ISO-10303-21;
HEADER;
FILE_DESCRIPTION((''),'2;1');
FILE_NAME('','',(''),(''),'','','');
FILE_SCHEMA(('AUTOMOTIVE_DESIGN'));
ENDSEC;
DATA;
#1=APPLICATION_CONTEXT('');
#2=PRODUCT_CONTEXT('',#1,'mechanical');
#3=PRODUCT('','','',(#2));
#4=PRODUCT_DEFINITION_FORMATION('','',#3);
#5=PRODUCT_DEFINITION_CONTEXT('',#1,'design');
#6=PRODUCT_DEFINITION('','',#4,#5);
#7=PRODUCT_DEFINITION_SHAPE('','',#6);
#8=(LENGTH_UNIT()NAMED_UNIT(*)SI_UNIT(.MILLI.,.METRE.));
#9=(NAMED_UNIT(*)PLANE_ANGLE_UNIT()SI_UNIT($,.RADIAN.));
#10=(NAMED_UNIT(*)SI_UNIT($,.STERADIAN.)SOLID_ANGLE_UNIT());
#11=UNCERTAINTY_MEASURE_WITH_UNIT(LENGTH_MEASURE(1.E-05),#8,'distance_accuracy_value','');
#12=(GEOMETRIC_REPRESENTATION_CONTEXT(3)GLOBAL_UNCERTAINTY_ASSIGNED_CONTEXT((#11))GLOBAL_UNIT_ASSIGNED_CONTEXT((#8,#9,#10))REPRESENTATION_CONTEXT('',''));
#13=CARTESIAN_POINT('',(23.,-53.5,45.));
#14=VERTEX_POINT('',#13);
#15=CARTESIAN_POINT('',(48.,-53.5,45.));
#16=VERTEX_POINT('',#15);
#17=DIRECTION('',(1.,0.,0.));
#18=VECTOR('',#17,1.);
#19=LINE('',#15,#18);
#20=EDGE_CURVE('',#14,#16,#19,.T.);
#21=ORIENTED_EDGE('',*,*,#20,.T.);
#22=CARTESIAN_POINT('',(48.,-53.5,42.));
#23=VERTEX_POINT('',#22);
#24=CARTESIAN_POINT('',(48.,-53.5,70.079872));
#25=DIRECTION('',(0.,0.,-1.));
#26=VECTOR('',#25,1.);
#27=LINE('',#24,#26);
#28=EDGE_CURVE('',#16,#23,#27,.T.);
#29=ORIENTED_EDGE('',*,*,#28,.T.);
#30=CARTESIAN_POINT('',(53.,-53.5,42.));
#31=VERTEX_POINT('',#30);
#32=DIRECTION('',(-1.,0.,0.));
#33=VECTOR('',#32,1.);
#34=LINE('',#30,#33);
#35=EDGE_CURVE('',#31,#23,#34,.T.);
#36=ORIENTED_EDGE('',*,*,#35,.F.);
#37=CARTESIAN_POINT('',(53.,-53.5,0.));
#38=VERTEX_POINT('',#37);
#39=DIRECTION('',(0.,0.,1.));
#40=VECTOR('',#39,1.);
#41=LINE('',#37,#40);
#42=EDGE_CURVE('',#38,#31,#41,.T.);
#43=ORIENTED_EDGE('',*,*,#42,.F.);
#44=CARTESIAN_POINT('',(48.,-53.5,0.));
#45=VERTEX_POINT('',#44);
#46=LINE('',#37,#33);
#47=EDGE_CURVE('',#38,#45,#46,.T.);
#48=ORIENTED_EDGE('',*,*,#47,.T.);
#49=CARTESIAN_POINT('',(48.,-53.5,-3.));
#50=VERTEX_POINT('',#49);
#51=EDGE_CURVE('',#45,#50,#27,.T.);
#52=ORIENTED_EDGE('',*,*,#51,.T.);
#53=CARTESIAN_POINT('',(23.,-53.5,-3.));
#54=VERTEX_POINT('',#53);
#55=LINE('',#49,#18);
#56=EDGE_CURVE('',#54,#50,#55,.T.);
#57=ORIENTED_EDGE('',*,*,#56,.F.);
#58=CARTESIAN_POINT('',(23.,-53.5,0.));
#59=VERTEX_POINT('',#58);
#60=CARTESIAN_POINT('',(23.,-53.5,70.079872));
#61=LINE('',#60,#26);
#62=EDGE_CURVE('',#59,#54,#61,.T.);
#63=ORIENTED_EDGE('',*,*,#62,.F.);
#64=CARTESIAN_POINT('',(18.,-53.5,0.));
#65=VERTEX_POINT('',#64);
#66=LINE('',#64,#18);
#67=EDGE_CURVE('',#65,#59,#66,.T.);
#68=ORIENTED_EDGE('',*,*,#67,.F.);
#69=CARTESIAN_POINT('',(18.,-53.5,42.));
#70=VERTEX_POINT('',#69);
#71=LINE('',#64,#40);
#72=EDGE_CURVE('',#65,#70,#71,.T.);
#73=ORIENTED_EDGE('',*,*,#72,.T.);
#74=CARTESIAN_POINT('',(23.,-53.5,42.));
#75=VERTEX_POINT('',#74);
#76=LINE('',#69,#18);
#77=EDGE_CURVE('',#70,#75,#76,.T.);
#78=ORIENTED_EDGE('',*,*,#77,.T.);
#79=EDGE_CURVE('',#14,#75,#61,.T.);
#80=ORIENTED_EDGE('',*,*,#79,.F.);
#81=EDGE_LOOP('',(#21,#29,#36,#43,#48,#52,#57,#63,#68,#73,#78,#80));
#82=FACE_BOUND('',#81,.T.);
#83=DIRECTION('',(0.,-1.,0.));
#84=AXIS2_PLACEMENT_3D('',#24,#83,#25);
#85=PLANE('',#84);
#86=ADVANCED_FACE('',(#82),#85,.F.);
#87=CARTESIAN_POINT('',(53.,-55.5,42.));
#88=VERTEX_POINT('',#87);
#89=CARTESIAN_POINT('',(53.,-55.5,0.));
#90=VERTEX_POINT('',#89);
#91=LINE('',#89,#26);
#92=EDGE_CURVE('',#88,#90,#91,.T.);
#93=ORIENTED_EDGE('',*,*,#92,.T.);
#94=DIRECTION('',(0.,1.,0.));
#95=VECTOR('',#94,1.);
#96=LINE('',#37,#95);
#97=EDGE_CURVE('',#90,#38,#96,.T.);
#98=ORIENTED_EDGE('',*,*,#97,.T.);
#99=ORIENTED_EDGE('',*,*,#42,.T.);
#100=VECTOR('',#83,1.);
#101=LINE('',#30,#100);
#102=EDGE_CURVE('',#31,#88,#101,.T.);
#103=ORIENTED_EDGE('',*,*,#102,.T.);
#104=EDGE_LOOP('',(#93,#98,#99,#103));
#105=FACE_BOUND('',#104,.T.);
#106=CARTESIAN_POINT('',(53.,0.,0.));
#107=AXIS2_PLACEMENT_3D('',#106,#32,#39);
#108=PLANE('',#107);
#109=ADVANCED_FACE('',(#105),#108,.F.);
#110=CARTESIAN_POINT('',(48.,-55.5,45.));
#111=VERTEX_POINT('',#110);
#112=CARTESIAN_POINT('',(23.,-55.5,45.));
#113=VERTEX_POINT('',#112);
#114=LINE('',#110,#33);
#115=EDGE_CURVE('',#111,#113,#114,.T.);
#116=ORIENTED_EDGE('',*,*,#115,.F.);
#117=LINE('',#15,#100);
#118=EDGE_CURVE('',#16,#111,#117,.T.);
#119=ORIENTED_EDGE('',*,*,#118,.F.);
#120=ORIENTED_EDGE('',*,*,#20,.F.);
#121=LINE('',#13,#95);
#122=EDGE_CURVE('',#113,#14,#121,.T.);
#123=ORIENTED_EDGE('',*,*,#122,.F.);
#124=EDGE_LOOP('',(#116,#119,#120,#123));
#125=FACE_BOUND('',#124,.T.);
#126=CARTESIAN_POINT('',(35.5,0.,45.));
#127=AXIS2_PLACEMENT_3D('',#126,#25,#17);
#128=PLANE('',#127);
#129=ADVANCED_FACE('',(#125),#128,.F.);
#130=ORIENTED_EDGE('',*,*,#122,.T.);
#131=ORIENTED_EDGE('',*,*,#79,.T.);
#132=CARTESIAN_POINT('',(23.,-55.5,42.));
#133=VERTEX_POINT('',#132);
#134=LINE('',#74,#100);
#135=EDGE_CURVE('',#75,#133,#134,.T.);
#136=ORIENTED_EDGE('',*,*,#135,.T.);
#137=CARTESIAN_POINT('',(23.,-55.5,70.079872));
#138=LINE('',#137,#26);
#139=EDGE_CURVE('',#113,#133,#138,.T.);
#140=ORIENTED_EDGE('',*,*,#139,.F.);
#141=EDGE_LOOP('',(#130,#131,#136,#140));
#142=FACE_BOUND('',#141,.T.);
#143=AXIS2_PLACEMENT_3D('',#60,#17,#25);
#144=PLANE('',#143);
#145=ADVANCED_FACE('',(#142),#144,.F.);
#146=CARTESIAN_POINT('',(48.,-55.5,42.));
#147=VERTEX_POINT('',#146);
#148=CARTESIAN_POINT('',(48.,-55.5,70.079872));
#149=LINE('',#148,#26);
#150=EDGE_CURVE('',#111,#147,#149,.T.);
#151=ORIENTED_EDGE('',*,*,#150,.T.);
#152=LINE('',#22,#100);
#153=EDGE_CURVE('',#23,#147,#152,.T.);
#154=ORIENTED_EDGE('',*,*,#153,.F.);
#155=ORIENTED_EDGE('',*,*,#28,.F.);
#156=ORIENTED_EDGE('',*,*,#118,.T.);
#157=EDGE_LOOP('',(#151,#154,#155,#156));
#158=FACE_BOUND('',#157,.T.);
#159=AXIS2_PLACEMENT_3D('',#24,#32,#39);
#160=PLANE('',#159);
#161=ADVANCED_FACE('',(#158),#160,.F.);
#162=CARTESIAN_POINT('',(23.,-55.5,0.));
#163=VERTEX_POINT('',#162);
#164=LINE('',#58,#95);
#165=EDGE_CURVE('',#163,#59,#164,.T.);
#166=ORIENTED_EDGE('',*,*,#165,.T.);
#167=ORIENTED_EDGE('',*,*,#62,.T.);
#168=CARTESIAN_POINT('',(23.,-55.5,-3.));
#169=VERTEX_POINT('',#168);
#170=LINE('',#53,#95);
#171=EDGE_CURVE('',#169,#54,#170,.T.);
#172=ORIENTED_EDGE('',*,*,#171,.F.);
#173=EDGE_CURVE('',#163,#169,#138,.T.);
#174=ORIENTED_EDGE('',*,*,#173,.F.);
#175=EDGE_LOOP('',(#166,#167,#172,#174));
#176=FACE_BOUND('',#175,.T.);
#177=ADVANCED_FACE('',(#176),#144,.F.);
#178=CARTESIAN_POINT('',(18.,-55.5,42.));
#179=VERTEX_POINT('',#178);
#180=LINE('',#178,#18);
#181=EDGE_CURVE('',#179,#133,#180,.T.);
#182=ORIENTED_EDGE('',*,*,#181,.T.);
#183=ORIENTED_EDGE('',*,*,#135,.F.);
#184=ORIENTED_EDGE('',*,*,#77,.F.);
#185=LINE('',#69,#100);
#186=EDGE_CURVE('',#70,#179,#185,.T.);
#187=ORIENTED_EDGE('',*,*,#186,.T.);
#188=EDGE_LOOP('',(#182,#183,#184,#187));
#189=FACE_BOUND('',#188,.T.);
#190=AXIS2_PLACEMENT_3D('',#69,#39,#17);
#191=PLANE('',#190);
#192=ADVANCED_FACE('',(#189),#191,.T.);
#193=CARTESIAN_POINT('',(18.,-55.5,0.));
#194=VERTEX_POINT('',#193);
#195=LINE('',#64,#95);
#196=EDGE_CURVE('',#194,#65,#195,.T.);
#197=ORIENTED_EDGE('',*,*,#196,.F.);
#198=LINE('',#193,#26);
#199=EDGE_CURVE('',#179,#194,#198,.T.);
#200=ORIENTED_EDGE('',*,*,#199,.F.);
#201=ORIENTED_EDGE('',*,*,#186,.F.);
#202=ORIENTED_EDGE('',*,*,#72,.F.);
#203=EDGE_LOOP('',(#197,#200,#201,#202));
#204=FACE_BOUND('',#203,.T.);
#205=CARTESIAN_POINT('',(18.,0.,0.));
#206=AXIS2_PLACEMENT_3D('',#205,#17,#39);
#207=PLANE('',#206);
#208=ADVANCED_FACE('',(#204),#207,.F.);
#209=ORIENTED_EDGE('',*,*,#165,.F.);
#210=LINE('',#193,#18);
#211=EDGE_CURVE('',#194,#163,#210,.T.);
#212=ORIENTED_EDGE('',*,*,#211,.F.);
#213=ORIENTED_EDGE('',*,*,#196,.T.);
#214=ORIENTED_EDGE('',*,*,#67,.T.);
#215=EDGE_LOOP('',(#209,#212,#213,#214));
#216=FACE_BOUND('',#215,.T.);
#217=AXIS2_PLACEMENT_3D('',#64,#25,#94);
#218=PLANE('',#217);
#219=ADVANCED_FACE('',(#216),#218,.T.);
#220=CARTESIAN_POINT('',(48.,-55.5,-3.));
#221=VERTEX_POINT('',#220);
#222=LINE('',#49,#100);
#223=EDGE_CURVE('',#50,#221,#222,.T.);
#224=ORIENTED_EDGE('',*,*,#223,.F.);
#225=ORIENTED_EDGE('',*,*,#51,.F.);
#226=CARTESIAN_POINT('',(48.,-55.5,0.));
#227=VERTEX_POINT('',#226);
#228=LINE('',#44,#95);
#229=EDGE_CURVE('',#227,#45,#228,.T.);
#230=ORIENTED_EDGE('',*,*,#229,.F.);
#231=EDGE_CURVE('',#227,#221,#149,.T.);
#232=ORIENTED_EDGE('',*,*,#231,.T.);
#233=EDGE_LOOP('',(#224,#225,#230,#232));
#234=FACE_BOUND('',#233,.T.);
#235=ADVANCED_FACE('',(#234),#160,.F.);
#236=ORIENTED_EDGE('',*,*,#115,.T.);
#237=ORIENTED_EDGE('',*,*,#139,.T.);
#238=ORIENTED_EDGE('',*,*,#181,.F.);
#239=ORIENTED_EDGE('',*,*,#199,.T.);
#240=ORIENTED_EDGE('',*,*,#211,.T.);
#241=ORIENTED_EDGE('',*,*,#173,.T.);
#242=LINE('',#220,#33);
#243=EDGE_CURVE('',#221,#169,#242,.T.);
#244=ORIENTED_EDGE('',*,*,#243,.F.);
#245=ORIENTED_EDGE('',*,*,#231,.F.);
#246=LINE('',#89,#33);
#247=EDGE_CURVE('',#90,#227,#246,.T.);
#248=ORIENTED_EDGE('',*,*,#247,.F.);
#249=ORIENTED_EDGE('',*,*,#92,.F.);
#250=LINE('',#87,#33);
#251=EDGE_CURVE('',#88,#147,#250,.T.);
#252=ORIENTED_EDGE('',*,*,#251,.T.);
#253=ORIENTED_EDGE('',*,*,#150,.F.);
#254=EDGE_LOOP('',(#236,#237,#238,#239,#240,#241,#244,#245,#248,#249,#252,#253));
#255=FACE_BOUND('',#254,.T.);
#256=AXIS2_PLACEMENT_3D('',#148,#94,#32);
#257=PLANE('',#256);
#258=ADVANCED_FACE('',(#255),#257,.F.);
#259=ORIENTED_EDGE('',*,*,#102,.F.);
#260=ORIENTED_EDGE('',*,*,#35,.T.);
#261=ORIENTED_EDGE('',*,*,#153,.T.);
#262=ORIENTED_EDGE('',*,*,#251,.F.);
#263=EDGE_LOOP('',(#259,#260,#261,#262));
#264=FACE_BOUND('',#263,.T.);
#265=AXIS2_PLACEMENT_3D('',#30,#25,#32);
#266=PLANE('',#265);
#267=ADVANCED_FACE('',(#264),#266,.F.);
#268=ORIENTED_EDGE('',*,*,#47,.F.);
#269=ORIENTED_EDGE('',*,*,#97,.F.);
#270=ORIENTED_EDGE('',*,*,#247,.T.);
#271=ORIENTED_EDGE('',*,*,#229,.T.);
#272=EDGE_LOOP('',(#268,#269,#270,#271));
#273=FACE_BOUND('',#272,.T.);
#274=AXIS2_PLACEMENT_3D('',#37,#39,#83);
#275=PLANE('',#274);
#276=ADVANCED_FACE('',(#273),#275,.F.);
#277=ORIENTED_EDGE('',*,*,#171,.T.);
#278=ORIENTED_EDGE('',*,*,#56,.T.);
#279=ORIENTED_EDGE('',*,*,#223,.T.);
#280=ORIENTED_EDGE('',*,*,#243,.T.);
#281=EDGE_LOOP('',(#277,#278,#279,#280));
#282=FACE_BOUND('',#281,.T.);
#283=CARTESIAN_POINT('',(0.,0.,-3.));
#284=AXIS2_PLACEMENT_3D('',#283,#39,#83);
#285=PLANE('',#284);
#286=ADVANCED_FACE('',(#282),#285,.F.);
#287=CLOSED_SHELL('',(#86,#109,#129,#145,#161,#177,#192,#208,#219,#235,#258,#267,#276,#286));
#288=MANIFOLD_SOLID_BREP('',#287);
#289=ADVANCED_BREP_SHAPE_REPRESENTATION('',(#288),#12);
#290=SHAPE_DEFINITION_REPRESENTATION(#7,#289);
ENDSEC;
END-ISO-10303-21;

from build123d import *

# Parameters (mm, degrees)
ESTRUSIONE_ESTRUSIONE1_DEPTH      = 45
ESTRUSIONE_ESTRUSIONE1_DEPTH_BACK = 3
SCHIZZO1_W                        = 25
SCHIZZO1_H                        = 2
SCHIZZO2_W                        = 42
SCHIZZO2_H                        = 2
ESTRUSIONE_ESTRUSIONE2_DEPTH      = 5


with BuildPart() as part:
    # Schizzo1 → Estrusione-Estrusione1 (new, two sides: drawn at the far end of the back side and taken through both)
    with BuildSketch(Plane.XY.offset(-ESTRUSIONE_ESTRUSIONE1_DEPTH_BACK)):
        with Locations((35.5, -54.5)):
            Rectangle(SCHIZZO1_W, SCHIZZO1_H)
    extrude(amount=ESTRUSIONE_ESTRUSIONE1_DEPTH + ESTRUSIONE_ESTRUSIONE1_DEPTH_BACK)

    # Schizzo2 → Estrusione-Estrusione2 (add)
    with BuildSketch(Plane(origin=(48, 0, 0), x_dir=(0, 0, -1), z_dir=(1, 0, 0))):
        with Locations((-21, -54.5)):
            Rectangle(SCHIZZO2_W, SCHIZZO2_H)
    estrusione_estrusione2 = extrude(amount=ESTRUSIONE_ESTRUSIONE2_DEPTH)

    # Specchia1: Estrusione-Estrusione2 across plane
    add(estrusione_estrusione2.mirror(Plane(origin=(35.5, 0, 0), x_dir=(0, 0, 1), z_dir=(1, 0, 0))))


solid = part.part
